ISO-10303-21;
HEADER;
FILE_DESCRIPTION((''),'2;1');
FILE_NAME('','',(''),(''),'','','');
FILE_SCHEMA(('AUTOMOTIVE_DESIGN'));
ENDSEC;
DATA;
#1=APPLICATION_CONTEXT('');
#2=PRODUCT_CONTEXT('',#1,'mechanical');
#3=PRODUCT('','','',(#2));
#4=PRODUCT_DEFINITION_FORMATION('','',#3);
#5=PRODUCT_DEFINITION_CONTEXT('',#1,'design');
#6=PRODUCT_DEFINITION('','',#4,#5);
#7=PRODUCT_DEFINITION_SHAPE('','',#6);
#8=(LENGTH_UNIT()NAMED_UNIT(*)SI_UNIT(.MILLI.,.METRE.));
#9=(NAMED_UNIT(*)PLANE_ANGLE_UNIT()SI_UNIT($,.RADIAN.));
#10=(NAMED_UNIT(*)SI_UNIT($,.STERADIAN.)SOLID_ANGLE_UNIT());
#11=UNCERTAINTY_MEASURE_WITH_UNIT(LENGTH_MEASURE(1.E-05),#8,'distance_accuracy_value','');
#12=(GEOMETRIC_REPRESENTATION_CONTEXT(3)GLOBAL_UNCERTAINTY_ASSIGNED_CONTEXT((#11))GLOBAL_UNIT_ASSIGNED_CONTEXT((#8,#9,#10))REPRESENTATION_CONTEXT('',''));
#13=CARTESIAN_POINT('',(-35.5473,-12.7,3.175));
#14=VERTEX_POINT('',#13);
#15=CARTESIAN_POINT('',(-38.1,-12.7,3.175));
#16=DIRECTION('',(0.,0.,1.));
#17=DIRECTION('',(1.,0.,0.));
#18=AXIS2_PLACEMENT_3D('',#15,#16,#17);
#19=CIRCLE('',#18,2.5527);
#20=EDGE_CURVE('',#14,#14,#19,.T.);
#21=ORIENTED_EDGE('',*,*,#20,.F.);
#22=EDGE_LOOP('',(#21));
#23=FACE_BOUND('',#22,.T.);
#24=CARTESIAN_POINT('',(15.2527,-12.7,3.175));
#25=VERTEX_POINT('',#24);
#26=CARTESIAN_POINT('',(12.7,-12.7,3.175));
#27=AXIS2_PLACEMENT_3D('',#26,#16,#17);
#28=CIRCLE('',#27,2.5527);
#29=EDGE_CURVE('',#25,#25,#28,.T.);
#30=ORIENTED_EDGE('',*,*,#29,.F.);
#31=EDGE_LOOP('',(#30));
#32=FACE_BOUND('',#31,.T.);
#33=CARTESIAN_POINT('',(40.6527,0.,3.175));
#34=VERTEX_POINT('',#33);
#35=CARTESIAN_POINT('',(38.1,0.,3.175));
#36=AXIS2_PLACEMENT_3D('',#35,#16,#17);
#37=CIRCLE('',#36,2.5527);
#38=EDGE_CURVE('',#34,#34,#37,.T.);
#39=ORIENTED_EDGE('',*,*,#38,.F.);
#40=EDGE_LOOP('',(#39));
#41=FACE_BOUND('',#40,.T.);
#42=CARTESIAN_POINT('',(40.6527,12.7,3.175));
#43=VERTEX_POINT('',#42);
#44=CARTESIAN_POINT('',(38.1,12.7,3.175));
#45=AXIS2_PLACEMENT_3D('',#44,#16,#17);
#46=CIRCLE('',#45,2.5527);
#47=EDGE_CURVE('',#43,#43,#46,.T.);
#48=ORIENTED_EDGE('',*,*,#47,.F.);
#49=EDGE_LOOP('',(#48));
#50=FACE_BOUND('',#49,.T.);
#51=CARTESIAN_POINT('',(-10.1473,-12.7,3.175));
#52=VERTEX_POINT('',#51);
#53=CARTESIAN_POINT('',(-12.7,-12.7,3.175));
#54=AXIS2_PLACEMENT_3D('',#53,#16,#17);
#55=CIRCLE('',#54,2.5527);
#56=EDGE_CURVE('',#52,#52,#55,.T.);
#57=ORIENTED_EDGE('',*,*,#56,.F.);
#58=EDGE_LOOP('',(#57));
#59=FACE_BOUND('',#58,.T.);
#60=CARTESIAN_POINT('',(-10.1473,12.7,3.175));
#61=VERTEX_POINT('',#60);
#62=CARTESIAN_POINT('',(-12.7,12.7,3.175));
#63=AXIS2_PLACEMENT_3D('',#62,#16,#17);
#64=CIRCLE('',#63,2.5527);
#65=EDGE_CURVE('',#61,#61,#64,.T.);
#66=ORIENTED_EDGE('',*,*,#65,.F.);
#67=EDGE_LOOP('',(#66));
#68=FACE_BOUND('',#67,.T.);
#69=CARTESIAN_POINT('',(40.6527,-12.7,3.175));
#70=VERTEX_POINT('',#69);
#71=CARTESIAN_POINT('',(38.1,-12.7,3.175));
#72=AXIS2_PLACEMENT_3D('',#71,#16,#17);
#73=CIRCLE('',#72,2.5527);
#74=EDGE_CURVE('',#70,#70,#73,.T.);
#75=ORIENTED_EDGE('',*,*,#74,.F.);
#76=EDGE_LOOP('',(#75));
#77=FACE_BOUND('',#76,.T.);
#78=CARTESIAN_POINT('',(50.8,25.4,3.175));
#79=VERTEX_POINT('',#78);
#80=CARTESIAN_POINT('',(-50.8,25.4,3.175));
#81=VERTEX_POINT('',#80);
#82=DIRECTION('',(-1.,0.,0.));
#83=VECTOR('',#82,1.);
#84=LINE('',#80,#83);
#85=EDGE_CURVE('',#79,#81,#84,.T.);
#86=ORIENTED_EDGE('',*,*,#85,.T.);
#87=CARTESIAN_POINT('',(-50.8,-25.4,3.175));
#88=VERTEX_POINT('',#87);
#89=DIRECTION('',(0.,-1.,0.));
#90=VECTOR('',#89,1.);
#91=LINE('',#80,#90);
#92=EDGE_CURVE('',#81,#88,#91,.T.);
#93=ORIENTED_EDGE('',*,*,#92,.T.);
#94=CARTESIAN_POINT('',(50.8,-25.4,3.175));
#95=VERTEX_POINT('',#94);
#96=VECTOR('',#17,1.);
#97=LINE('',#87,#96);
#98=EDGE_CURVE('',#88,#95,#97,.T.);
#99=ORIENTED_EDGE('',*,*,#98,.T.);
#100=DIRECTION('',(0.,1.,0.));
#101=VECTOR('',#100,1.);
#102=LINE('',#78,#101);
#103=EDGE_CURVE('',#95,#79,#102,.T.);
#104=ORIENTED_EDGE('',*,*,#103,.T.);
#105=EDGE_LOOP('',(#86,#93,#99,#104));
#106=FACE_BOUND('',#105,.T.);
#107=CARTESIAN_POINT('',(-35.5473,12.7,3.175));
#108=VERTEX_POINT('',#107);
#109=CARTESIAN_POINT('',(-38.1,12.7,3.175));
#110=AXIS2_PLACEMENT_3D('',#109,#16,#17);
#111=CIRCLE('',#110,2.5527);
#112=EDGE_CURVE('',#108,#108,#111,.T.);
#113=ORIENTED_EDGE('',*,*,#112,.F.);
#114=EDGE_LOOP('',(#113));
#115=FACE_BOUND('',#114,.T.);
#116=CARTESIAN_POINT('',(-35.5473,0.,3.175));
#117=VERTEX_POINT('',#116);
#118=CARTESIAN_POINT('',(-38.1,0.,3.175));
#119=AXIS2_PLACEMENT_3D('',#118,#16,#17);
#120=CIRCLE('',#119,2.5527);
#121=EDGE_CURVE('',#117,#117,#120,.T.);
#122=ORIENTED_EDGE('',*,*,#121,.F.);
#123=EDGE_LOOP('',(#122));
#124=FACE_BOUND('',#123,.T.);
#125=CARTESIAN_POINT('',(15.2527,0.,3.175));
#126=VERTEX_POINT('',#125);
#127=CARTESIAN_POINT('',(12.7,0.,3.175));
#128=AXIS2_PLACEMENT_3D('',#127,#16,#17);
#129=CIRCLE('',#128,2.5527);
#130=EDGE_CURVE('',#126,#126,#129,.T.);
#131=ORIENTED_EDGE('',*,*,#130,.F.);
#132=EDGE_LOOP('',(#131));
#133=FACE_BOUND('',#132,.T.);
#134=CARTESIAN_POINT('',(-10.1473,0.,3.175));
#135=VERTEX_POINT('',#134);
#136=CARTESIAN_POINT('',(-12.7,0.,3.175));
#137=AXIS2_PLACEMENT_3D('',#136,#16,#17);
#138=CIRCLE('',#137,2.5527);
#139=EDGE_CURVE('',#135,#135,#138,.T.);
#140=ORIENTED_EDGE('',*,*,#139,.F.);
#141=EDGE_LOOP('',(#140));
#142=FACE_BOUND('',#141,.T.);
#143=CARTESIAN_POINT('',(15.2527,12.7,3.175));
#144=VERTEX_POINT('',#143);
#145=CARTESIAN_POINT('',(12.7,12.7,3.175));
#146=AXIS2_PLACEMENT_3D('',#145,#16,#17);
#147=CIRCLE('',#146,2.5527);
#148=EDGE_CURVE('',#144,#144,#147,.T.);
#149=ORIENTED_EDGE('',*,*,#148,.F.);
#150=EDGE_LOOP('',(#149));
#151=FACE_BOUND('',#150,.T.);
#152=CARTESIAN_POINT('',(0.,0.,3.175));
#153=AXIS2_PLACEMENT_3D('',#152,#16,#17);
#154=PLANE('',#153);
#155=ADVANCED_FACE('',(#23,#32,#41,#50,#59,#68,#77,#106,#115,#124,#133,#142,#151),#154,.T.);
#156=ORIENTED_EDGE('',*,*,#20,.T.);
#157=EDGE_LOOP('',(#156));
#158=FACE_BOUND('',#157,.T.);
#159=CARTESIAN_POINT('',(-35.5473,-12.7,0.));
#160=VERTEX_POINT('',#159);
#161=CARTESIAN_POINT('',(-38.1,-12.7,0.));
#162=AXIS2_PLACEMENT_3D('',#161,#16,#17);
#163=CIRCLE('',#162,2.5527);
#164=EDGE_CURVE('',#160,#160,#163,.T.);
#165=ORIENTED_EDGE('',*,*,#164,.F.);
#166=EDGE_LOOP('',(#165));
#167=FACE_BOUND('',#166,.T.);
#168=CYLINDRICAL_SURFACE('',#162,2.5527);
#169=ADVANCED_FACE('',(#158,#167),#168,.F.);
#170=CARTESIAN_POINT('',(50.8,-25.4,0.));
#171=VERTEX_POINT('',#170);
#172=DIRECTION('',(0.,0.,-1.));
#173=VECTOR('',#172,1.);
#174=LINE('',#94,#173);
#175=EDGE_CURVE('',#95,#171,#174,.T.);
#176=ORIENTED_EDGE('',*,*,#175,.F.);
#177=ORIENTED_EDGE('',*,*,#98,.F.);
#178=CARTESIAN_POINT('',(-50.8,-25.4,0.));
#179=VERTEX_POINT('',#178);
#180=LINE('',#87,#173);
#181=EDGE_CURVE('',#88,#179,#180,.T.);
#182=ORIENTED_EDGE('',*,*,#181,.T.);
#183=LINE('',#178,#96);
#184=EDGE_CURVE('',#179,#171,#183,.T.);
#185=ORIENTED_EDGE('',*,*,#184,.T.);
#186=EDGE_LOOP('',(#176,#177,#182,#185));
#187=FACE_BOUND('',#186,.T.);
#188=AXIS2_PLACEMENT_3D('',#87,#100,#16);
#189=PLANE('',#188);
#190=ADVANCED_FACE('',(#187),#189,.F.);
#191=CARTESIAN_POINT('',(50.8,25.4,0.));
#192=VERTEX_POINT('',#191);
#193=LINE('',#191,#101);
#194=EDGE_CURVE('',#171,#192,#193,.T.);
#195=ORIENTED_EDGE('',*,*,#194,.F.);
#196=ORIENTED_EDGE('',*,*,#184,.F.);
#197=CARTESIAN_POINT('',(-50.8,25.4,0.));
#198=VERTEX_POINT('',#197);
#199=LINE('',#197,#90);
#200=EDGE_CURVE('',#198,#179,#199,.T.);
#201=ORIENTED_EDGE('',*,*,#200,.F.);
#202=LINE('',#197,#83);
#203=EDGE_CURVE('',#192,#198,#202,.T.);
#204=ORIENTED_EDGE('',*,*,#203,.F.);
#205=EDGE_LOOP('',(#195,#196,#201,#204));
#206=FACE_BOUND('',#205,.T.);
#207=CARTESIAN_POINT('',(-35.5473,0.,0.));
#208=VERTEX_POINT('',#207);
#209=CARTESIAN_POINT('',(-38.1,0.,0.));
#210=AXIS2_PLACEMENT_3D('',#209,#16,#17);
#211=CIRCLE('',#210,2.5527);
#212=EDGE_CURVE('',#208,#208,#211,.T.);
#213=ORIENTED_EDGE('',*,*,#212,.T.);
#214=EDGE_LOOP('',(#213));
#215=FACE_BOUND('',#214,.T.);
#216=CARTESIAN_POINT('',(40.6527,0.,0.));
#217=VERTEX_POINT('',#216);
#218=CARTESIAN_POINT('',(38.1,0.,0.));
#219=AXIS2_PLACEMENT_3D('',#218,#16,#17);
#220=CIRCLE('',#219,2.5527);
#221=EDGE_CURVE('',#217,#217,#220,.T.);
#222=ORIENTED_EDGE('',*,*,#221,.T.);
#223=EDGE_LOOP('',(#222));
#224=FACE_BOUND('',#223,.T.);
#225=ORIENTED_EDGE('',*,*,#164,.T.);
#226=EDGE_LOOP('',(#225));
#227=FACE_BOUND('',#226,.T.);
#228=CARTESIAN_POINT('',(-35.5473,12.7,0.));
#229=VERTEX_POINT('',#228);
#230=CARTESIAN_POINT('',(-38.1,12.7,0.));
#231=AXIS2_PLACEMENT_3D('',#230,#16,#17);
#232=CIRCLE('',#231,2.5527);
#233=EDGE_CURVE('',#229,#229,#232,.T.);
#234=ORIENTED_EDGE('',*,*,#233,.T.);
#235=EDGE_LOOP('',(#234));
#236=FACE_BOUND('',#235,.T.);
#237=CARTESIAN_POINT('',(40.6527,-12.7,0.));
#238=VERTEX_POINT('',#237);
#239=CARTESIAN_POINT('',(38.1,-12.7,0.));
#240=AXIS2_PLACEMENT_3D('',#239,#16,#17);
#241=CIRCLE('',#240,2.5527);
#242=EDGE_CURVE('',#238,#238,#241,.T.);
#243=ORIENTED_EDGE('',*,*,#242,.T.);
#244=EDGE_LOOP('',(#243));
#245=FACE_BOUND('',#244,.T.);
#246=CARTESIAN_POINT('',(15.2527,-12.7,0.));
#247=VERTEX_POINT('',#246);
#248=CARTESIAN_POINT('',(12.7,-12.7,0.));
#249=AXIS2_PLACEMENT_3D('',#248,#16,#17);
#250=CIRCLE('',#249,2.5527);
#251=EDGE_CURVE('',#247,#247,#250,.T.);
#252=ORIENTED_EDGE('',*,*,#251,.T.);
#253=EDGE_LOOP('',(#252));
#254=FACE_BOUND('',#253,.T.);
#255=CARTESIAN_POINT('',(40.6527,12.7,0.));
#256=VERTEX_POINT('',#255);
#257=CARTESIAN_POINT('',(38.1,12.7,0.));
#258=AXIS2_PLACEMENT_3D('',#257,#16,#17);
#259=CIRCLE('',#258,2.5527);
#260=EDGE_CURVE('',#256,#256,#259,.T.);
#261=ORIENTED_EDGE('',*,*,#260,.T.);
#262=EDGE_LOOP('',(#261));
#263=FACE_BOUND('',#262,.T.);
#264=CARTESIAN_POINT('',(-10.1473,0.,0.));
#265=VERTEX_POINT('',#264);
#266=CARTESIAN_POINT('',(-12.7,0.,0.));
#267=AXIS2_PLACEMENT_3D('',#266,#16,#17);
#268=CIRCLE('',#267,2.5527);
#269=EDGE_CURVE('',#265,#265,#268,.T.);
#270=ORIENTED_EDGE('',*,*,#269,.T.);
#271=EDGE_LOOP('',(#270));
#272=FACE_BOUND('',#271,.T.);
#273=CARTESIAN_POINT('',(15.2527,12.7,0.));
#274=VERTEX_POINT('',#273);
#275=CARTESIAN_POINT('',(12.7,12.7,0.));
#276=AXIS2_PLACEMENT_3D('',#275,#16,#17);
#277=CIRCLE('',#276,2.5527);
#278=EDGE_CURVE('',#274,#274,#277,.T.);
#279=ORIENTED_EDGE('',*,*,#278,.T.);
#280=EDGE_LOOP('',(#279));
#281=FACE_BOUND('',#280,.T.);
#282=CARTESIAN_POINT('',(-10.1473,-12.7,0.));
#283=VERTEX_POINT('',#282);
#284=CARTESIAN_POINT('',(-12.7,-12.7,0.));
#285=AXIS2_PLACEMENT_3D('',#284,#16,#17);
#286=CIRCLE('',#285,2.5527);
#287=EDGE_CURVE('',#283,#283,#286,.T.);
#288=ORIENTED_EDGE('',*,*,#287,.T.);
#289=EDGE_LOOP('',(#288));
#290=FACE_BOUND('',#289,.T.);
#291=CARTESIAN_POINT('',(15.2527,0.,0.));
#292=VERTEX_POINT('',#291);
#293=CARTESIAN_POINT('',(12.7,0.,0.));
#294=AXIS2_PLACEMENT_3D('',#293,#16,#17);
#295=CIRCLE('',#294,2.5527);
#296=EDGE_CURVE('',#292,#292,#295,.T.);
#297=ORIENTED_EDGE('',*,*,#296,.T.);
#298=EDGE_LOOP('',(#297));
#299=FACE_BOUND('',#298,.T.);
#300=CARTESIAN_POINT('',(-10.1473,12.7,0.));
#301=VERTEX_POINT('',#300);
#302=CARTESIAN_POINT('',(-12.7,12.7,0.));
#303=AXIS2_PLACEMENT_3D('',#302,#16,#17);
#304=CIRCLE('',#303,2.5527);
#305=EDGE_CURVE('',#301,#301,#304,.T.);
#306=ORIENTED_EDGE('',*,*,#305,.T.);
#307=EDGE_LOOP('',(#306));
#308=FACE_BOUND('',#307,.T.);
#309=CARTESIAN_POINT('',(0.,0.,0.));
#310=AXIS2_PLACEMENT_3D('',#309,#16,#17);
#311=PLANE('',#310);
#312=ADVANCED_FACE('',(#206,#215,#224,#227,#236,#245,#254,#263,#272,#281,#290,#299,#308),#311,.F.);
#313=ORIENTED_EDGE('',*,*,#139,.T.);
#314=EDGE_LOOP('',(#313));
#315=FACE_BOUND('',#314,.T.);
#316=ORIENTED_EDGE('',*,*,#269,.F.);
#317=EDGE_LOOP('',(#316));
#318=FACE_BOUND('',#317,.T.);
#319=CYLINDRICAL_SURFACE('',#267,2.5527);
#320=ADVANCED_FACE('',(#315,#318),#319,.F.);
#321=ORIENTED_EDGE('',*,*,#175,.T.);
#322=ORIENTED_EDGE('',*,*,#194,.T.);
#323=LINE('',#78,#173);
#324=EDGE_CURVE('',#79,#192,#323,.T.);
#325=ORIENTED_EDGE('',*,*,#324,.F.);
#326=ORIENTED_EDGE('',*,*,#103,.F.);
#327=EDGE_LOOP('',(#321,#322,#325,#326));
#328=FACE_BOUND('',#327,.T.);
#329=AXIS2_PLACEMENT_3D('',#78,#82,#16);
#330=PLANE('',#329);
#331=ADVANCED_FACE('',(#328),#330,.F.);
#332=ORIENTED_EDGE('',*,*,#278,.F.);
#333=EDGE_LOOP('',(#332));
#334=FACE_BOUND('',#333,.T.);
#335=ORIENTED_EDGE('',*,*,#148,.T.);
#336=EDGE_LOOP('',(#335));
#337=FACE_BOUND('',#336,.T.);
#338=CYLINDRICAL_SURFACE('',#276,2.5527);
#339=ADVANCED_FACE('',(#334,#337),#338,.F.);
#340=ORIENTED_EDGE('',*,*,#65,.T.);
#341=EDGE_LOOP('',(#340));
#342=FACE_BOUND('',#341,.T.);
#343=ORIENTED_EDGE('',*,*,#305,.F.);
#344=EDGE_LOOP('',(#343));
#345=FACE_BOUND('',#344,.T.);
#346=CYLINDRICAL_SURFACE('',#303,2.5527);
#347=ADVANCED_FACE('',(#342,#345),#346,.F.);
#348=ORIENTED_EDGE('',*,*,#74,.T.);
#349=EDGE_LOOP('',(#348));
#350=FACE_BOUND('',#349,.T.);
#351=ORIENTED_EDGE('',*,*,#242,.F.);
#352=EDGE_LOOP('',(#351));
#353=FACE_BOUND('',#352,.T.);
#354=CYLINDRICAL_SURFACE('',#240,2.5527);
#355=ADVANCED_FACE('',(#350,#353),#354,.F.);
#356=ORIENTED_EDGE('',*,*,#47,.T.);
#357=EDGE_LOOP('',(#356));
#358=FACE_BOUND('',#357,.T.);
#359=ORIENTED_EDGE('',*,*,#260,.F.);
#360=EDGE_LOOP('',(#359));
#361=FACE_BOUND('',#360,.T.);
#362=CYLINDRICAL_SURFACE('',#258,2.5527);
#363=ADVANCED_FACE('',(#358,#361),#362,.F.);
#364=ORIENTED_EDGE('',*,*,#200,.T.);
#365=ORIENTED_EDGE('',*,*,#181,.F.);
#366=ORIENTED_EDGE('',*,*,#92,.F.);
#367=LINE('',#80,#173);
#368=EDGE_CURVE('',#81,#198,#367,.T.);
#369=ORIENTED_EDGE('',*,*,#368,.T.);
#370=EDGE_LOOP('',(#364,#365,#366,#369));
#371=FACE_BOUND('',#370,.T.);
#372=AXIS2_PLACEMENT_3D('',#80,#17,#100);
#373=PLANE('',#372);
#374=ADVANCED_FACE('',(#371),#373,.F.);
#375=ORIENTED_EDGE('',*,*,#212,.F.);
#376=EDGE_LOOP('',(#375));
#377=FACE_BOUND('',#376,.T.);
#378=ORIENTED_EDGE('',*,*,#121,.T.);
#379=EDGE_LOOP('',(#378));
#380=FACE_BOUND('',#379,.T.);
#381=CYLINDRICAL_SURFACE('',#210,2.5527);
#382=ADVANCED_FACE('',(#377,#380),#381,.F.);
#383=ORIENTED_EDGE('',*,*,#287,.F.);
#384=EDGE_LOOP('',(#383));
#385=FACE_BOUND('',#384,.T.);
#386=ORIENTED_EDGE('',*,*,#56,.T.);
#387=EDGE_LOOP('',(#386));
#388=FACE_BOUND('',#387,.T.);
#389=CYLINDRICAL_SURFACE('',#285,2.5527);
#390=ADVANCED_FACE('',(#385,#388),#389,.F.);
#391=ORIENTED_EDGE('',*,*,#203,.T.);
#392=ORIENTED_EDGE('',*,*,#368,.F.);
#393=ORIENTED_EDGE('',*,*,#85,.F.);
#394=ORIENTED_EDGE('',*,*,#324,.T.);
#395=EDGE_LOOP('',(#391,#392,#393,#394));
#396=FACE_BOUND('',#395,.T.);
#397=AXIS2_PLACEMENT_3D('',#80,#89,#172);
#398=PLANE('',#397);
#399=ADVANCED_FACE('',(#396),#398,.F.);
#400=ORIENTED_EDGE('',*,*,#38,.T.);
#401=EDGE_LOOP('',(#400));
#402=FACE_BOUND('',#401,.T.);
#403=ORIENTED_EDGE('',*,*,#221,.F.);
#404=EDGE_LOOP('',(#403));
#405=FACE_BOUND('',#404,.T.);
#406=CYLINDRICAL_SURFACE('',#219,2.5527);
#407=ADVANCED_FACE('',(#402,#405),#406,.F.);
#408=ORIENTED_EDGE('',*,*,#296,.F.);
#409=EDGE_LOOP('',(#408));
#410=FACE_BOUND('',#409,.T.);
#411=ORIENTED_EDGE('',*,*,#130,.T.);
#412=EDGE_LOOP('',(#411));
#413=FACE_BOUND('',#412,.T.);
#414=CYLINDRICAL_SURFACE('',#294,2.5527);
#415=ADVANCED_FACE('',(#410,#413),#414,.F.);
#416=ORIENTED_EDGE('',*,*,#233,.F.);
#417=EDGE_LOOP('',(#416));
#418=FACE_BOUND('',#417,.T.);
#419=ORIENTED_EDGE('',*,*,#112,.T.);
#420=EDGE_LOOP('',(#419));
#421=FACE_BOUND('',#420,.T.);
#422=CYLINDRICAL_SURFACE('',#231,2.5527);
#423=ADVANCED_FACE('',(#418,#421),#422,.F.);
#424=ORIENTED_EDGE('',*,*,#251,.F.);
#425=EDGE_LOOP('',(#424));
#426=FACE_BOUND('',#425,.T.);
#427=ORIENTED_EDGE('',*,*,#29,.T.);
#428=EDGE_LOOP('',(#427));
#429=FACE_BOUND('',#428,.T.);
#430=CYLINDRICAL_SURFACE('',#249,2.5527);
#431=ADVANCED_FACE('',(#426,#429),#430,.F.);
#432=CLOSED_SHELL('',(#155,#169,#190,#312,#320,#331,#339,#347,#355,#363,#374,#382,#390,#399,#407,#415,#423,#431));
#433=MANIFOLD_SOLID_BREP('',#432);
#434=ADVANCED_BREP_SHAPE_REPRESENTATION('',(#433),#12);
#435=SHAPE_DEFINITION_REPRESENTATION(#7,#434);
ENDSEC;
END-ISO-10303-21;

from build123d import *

# Parameters (mm, degrees)
SKETCH1_W           = 101.6
SKETCH1_H           = 50.8
BOSS_EXTRUDE1_DEPTH = 3.175
SKETCH2_R           = 2.5527
CUT_EXTRUDE1_DEPTH  = 57.884801353


with BuildPart() as part:
    # Sketch1 → Boss-Extrude1 (new body)
    with BuildSketch(Plane.XY):
        Rectangle(SKETCH1_W, SKETCH1_H)
    extrude(amount=BOSS_EXTRUDE1_DEPTH)

    # Sketch2 → Cut-Extrude1 (cut, through all)
    with BuildSketch(Plane.XY.offset(3.175)):
        with Locations((-38.1, 12.7)):
            Circle(SKETCH2_R)
        with Locations((-12.7, 12.7)):
            Circle(SKETCH2_R)
        with Locations((12.7, 12.7)):
            Circle(SKETCH2_R)
        with Locations((38.1, 12.7)):
            Circle(SKETCH2_R)
        with Locations((-12.7, 0)):
            Circle(SKETCH2_R)
        with Locations((12.7, 0)):
            Circle(SKETCH2_R)
        with Locations((38.1, 0)):
            Circle(SKETCH2_R)
        with Locations((-12.7, -12.7)):
            Circle(SKETCH2_R)
        with Locations((12.7, -12.7)):
            Circle(SKETCH2_R)
        with Locations((38.1, -12.7)):
            Circle(SKETCH2_R)
        with Locations((-38.1, 0)):
            Circle(SKETCH2_R)
        with Locations((-38.1, -12.7)):
            Circle(SKETCH2_R)
    extrude(amount=-CUT_EXTRUDE1_DEPTH, mode=Mode.SUBTRACT)


solid = part.part
